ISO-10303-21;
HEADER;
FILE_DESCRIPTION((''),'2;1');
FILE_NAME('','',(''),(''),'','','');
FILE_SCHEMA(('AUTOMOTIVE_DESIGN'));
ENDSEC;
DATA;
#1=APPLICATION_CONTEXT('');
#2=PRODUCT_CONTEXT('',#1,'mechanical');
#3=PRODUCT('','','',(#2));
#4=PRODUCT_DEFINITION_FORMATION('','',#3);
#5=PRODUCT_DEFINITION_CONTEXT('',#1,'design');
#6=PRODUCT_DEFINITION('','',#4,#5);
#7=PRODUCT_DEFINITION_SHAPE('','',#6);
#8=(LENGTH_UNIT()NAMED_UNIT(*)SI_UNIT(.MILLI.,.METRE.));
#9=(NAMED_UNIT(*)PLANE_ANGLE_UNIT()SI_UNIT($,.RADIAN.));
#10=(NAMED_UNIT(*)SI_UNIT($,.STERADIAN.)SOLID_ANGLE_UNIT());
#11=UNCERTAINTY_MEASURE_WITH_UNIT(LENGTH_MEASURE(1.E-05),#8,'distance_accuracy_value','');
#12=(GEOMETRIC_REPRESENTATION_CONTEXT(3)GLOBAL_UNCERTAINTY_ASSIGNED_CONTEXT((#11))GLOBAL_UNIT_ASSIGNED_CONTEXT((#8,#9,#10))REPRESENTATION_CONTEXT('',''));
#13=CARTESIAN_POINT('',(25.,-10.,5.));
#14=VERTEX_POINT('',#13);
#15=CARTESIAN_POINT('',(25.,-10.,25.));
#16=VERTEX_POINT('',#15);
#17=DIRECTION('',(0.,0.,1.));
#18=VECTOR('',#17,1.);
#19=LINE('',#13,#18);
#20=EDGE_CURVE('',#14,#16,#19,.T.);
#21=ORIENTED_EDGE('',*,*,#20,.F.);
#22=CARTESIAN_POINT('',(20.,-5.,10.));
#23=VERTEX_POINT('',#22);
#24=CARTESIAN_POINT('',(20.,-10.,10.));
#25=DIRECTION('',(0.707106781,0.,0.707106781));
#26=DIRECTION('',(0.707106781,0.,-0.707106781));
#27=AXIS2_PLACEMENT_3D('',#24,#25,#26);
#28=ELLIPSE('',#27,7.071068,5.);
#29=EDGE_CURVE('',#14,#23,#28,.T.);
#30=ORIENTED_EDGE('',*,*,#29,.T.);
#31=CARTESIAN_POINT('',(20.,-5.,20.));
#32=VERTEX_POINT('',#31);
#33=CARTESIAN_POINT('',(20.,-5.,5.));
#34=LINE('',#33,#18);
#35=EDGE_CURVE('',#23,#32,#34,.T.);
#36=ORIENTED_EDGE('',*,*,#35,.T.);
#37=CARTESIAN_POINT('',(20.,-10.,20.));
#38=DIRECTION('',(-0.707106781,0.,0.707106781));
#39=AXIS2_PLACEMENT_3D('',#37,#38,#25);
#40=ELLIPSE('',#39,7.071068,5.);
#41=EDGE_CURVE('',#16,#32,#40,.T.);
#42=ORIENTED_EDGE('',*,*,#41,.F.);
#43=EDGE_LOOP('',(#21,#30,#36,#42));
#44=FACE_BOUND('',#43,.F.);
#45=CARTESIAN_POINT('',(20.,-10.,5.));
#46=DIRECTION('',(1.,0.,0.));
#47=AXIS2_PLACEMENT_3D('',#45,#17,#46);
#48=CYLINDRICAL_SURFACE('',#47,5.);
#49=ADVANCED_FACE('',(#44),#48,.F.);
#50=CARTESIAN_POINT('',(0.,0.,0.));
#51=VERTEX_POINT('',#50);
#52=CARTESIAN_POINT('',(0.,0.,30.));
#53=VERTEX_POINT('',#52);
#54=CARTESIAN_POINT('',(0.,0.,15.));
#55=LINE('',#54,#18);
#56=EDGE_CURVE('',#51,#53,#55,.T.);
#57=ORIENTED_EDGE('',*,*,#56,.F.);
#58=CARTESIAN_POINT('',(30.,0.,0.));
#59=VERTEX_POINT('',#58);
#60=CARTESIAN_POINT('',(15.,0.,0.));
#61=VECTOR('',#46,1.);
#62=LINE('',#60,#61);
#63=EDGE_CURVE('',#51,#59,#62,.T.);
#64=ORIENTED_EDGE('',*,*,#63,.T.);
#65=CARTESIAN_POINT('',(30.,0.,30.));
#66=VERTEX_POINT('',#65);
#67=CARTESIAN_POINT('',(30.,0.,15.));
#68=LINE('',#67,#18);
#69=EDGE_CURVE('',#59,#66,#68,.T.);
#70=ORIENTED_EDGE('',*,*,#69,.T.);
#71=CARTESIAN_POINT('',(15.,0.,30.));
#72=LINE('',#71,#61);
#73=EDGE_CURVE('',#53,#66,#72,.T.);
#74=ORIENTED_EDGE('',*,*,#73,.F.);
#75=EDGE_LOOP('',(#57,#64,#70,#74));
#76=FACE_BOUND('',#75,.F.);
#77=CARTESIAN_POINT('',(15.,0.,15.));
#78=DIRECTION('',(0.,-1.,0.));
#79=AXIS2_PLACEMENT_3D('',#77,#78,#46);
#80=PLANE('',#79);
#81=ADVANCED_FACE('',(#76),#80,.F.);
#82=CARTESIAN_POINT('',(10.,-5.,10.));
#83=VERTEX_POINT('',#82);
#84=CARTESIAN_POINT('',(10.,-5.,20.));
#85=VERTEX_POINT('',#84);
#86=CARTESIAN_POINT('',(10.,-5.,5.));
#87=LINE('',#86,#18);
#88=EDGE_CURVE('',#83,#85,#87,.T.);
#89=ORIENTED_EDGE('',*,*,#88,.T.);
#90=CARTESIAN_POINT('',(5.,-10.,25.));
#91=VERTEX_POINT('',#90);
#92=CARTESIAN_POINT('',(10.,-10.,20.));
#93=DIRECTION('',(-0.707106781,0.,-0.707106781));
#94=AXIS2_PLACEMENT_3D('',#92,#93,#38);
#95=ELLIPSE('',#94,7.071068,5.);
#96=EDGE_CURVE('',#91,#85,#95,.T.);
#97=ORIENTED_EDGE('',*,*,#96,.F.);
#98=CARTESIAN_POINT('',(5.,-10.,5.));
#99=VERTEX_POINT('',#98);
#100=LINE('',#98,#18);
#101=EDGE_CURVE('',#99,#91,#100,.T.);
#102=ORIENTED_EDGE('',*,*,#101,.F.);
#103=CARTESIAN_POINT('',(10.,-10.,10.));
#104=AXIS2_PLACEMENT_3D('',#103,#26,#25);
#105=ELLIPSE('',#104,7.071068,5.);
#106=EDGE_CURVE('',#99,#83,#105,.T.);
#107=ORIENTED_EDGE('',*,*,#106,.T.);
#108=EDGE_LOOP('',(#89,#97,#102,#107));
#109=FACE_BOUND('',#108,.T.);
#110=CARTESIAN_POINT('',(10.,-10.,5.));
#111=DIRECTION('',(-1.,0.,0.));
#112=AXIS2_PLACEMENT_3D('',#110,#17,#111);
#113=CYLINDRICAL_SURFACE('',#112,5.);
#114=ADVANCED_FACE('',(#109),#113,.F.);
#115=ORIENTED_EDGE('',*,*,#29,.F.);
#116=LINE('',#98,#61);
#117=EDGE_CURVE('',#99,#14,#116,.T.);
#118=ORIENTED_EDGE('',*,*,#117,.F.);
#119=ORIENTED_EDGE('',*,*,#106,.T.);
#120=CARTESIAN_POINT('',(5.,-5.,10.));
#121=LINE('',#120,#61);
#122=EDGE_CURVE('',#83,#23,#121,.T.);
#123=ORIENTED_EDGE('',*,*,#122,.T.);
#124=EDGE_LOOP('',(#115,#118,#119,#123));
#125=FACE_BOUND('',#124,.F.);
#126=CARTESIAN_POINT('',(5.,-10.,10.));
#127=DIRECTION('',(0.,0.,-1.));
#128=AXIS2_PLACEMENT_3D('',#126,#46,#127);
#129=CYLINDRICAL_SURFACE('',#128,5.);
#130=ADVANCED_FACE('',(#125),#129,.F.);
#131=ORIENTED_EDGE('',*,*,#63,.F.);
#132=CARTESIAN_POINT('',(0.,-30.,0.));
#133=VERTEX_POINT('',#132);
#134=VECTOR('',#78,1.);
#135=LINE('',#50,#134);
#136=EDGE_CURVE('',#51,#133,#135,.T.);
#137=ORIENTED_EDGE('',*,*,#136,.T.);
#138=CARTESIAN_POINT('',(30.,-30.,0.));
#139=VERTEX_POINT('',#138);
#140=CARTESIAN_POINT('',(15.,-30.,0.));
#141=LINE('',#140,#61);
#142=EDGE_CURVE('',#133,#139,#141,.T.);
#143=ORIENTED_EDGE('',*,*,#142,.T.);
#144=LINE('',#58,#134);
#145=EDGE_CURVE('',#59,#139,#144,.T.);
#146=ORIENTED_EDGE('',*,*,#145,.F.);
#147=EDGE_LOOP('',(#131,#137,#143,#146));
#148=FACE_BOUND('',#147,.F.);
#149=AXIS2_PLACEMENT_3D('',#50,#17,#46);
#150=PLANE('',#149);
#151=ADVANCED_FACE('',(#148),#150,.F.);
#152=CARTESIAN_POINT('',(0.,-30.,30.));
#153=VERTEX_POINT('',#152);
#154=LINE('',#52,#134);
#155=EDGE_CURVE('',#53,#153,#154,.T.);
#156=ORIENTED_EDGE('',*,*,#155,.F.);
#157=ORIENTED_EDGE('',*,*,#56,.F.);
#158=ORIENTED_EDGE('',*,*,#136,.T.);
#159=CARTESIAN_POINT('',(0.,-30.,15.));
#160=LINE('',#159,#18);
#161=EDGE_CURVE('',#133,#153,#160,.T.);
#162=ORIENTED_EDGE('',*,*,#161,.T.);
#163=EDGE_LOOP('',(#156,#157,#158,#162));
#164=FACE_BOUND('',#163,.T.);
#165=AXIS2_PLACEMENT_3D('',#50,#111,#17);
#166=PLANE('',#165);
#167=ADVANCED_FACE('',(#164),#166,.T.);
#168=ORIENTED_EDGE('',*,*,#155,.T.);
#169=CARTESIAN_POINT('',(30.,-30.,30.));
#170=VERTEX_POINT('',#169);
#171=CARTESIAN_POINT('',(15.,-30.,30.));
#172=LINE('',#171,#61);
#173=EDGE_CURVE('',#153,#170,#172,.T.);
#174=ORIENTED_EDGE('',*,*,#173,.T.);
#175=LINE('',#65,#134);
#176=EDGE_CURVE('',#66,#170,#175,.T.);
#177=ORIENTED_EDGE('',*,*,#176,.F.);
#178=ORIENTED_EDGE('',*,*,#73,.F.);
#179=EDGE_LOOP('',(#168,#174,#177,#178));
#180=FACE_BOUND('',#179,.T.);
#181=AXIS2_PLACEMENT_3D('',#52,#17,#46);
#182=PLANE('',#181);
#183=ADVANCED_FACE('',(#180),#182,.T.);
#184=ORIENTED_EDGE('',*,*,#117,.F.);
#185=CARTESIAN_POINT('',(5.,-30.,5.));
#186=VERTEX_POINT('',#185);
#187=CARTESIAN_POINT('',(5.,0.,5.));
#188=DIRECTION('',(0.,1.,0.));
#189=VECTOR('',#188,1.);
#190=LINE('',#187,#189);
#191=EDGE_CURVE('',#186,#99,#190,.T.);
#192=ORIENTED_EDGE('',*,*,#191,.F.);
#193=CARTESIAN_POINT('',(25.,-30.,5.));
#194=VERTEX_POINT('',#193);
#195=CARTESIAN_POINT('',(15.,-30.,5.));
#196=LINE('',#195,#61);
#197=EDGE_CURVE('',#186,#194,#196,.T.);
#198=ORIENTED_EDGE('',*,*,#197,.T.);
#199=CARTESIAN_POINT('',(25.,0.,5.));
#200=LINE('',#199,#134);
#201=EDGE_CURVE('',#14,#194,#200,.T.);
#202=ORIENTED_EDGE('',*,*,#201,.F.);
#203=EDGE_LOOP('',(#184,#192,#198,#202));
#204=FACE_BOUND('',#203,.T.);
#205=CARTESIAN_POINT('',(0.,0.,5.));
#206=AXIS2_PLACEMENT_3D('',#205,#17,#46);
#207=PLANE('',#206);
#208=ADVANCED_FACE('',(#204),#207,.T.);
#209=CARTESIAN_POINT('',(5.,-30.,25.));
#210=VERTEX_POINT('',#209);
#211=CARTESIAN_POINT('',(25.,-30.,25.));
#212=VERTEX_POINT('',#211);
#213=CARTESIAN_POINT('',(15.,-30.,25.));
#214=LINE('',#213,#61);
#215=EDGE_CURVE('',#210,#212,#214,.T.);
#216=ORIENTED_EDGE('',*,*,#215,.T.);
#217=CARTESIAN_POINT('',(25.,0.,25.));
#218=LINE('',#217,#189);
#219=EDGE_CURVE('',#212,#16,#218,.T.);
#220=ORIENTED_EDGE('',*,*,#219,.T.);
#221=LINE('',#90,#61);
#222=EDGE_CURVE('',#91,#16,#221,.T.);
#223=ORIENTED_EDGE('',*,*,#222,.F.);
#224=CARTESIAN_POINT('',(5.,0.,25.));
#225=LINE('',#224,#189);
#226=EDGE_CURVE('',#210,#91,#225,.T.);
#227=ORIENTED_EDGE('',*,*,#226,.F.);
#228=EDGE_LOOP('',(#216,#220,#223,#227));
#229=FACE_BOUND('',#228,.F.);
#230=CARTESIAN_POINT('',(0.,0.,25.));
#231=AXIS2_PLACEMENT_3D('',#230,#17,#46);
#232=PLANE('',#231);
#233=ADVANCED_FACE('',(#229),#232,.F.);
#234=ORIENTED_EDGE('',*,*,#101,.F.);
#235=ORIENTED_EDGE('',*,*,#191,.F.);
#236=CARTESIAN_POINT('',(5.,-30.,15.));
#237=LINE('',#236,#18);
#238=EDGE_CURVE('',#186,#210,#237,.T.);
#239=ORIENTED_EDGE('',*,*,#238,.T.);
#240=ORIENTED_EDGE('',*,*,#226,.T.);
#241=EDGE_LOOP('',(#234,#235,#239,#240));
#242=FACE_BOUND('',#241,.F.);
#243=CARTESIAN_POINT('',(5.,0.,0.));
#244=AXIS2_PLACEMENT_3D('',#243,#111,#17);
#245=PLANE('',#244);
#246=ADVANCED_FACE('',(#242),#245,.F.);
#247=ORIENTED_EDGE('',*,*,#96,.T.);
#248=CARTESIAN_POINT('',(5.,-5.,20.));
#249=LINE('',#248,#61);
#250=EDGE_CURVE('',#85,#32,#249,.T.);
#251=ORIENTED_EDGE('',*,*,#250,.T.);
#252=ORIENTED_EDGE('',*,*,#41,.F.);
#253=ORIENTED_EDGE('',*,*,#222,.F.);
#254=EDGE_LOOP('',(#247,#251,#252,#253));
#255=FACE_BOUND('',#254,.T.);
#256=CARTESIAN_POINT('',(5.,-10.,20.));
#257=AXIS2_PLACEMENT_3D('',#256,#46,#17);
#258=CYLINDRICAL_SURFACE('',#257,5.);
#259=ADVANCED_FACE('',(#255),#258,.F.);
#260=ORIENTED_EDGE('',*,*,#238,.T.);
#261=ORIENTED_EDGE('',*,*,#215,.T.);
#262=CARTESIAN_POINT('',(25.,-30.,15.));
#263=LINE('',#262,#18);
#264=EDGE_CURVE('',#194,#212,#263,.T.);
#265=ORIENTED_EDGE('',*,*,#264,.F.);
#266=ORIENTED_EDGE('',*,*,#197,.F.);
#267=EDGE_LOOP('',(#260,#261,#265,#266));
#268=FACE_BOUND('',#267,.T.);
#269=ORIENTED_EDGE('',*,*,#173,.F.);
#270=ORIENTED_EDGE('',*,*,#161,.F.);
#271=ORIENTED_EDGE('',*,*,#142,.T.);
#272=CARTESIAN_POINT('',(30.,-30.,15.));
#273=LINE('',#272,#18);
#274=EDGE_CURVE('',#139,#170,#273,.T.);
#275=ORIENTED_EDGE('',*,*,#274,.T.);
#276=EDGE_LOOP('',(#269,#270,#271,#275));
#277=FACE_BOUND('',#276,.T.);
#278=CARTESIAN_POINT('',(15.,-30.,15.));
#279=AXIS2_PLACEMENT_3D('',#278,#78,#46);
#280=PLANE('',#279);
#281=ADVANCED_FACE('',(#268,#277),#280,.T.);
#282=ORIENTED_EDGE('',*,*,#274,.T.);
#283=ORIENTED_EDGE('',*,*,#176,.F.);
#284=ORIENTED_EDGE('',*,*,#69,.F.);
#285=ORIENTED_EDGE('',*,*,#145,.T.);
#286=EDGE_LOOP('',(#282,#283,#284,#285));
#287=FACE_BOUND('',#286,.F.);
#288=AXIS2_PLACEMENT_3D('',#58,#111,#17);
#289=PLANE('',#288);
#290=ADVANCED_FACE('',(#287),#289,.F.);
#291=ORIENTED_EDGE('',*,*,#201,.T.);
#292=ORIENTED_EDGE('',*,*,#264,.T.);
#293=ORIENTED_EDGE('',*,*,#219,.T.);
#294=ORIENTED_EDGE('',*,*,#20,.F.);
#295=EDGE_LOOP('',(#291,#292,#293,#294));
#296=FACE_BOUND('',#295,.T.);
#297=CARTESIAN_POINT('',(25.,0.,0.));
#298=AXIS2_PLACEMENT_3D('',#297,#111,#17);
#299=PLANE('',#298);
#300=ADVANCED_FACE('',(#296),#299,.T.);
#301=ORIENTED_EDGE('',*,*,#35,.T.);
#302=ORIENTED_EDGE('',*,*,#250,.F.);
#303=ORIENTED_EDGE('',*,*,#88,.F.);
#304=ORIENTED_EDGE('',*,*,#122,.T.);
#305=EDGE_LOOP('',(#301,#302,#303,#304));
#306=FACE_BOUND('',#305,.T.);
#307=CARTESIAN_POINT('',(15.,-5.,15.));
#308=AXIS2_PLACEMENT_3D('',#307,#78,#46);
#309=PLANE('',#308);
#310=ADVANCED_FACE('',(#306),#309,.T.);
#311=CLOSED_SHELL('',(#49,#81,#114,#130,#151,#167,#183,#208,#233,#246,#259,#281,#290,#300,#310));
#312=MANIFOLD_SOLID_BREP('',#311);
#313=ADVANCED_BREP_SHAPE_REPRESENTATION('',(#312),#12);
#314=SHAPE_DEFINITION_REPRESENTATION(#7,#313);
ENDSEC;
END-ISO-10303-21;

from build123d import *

# Parameters (mm, degrees)
F0_W     = 30
F0_H     = 30
F1_DEPTH = 30
F2_T     = -5
F3_R     = 5


with BuildPart() as f1:
    # F0 (on Front) → F1 (new body)
    with BuildSketch(Plane.XZ):
        with Locations((15, 15)):
            Rectangle(F0_W, F0_H)
    extrude(amount=F1_DEPTH)

    # F2
    f2_openings = [f1.faces().sort_by_distance(p)[0] for p in [
        (15, -30, 15),
    ]]
    offset(amount=F2_T, openings=f2_openings)

    # F3
    f3_edges = [f1.edges().sort_by_distance(p)[0] for p in [
        (5, -5, 15),
        (15, -5, 5),
        (25, -5, 15),
        (15, -5, 25),
    ]]
    fillet(f3_edges, radius=F3_R)


solid = f1.part
